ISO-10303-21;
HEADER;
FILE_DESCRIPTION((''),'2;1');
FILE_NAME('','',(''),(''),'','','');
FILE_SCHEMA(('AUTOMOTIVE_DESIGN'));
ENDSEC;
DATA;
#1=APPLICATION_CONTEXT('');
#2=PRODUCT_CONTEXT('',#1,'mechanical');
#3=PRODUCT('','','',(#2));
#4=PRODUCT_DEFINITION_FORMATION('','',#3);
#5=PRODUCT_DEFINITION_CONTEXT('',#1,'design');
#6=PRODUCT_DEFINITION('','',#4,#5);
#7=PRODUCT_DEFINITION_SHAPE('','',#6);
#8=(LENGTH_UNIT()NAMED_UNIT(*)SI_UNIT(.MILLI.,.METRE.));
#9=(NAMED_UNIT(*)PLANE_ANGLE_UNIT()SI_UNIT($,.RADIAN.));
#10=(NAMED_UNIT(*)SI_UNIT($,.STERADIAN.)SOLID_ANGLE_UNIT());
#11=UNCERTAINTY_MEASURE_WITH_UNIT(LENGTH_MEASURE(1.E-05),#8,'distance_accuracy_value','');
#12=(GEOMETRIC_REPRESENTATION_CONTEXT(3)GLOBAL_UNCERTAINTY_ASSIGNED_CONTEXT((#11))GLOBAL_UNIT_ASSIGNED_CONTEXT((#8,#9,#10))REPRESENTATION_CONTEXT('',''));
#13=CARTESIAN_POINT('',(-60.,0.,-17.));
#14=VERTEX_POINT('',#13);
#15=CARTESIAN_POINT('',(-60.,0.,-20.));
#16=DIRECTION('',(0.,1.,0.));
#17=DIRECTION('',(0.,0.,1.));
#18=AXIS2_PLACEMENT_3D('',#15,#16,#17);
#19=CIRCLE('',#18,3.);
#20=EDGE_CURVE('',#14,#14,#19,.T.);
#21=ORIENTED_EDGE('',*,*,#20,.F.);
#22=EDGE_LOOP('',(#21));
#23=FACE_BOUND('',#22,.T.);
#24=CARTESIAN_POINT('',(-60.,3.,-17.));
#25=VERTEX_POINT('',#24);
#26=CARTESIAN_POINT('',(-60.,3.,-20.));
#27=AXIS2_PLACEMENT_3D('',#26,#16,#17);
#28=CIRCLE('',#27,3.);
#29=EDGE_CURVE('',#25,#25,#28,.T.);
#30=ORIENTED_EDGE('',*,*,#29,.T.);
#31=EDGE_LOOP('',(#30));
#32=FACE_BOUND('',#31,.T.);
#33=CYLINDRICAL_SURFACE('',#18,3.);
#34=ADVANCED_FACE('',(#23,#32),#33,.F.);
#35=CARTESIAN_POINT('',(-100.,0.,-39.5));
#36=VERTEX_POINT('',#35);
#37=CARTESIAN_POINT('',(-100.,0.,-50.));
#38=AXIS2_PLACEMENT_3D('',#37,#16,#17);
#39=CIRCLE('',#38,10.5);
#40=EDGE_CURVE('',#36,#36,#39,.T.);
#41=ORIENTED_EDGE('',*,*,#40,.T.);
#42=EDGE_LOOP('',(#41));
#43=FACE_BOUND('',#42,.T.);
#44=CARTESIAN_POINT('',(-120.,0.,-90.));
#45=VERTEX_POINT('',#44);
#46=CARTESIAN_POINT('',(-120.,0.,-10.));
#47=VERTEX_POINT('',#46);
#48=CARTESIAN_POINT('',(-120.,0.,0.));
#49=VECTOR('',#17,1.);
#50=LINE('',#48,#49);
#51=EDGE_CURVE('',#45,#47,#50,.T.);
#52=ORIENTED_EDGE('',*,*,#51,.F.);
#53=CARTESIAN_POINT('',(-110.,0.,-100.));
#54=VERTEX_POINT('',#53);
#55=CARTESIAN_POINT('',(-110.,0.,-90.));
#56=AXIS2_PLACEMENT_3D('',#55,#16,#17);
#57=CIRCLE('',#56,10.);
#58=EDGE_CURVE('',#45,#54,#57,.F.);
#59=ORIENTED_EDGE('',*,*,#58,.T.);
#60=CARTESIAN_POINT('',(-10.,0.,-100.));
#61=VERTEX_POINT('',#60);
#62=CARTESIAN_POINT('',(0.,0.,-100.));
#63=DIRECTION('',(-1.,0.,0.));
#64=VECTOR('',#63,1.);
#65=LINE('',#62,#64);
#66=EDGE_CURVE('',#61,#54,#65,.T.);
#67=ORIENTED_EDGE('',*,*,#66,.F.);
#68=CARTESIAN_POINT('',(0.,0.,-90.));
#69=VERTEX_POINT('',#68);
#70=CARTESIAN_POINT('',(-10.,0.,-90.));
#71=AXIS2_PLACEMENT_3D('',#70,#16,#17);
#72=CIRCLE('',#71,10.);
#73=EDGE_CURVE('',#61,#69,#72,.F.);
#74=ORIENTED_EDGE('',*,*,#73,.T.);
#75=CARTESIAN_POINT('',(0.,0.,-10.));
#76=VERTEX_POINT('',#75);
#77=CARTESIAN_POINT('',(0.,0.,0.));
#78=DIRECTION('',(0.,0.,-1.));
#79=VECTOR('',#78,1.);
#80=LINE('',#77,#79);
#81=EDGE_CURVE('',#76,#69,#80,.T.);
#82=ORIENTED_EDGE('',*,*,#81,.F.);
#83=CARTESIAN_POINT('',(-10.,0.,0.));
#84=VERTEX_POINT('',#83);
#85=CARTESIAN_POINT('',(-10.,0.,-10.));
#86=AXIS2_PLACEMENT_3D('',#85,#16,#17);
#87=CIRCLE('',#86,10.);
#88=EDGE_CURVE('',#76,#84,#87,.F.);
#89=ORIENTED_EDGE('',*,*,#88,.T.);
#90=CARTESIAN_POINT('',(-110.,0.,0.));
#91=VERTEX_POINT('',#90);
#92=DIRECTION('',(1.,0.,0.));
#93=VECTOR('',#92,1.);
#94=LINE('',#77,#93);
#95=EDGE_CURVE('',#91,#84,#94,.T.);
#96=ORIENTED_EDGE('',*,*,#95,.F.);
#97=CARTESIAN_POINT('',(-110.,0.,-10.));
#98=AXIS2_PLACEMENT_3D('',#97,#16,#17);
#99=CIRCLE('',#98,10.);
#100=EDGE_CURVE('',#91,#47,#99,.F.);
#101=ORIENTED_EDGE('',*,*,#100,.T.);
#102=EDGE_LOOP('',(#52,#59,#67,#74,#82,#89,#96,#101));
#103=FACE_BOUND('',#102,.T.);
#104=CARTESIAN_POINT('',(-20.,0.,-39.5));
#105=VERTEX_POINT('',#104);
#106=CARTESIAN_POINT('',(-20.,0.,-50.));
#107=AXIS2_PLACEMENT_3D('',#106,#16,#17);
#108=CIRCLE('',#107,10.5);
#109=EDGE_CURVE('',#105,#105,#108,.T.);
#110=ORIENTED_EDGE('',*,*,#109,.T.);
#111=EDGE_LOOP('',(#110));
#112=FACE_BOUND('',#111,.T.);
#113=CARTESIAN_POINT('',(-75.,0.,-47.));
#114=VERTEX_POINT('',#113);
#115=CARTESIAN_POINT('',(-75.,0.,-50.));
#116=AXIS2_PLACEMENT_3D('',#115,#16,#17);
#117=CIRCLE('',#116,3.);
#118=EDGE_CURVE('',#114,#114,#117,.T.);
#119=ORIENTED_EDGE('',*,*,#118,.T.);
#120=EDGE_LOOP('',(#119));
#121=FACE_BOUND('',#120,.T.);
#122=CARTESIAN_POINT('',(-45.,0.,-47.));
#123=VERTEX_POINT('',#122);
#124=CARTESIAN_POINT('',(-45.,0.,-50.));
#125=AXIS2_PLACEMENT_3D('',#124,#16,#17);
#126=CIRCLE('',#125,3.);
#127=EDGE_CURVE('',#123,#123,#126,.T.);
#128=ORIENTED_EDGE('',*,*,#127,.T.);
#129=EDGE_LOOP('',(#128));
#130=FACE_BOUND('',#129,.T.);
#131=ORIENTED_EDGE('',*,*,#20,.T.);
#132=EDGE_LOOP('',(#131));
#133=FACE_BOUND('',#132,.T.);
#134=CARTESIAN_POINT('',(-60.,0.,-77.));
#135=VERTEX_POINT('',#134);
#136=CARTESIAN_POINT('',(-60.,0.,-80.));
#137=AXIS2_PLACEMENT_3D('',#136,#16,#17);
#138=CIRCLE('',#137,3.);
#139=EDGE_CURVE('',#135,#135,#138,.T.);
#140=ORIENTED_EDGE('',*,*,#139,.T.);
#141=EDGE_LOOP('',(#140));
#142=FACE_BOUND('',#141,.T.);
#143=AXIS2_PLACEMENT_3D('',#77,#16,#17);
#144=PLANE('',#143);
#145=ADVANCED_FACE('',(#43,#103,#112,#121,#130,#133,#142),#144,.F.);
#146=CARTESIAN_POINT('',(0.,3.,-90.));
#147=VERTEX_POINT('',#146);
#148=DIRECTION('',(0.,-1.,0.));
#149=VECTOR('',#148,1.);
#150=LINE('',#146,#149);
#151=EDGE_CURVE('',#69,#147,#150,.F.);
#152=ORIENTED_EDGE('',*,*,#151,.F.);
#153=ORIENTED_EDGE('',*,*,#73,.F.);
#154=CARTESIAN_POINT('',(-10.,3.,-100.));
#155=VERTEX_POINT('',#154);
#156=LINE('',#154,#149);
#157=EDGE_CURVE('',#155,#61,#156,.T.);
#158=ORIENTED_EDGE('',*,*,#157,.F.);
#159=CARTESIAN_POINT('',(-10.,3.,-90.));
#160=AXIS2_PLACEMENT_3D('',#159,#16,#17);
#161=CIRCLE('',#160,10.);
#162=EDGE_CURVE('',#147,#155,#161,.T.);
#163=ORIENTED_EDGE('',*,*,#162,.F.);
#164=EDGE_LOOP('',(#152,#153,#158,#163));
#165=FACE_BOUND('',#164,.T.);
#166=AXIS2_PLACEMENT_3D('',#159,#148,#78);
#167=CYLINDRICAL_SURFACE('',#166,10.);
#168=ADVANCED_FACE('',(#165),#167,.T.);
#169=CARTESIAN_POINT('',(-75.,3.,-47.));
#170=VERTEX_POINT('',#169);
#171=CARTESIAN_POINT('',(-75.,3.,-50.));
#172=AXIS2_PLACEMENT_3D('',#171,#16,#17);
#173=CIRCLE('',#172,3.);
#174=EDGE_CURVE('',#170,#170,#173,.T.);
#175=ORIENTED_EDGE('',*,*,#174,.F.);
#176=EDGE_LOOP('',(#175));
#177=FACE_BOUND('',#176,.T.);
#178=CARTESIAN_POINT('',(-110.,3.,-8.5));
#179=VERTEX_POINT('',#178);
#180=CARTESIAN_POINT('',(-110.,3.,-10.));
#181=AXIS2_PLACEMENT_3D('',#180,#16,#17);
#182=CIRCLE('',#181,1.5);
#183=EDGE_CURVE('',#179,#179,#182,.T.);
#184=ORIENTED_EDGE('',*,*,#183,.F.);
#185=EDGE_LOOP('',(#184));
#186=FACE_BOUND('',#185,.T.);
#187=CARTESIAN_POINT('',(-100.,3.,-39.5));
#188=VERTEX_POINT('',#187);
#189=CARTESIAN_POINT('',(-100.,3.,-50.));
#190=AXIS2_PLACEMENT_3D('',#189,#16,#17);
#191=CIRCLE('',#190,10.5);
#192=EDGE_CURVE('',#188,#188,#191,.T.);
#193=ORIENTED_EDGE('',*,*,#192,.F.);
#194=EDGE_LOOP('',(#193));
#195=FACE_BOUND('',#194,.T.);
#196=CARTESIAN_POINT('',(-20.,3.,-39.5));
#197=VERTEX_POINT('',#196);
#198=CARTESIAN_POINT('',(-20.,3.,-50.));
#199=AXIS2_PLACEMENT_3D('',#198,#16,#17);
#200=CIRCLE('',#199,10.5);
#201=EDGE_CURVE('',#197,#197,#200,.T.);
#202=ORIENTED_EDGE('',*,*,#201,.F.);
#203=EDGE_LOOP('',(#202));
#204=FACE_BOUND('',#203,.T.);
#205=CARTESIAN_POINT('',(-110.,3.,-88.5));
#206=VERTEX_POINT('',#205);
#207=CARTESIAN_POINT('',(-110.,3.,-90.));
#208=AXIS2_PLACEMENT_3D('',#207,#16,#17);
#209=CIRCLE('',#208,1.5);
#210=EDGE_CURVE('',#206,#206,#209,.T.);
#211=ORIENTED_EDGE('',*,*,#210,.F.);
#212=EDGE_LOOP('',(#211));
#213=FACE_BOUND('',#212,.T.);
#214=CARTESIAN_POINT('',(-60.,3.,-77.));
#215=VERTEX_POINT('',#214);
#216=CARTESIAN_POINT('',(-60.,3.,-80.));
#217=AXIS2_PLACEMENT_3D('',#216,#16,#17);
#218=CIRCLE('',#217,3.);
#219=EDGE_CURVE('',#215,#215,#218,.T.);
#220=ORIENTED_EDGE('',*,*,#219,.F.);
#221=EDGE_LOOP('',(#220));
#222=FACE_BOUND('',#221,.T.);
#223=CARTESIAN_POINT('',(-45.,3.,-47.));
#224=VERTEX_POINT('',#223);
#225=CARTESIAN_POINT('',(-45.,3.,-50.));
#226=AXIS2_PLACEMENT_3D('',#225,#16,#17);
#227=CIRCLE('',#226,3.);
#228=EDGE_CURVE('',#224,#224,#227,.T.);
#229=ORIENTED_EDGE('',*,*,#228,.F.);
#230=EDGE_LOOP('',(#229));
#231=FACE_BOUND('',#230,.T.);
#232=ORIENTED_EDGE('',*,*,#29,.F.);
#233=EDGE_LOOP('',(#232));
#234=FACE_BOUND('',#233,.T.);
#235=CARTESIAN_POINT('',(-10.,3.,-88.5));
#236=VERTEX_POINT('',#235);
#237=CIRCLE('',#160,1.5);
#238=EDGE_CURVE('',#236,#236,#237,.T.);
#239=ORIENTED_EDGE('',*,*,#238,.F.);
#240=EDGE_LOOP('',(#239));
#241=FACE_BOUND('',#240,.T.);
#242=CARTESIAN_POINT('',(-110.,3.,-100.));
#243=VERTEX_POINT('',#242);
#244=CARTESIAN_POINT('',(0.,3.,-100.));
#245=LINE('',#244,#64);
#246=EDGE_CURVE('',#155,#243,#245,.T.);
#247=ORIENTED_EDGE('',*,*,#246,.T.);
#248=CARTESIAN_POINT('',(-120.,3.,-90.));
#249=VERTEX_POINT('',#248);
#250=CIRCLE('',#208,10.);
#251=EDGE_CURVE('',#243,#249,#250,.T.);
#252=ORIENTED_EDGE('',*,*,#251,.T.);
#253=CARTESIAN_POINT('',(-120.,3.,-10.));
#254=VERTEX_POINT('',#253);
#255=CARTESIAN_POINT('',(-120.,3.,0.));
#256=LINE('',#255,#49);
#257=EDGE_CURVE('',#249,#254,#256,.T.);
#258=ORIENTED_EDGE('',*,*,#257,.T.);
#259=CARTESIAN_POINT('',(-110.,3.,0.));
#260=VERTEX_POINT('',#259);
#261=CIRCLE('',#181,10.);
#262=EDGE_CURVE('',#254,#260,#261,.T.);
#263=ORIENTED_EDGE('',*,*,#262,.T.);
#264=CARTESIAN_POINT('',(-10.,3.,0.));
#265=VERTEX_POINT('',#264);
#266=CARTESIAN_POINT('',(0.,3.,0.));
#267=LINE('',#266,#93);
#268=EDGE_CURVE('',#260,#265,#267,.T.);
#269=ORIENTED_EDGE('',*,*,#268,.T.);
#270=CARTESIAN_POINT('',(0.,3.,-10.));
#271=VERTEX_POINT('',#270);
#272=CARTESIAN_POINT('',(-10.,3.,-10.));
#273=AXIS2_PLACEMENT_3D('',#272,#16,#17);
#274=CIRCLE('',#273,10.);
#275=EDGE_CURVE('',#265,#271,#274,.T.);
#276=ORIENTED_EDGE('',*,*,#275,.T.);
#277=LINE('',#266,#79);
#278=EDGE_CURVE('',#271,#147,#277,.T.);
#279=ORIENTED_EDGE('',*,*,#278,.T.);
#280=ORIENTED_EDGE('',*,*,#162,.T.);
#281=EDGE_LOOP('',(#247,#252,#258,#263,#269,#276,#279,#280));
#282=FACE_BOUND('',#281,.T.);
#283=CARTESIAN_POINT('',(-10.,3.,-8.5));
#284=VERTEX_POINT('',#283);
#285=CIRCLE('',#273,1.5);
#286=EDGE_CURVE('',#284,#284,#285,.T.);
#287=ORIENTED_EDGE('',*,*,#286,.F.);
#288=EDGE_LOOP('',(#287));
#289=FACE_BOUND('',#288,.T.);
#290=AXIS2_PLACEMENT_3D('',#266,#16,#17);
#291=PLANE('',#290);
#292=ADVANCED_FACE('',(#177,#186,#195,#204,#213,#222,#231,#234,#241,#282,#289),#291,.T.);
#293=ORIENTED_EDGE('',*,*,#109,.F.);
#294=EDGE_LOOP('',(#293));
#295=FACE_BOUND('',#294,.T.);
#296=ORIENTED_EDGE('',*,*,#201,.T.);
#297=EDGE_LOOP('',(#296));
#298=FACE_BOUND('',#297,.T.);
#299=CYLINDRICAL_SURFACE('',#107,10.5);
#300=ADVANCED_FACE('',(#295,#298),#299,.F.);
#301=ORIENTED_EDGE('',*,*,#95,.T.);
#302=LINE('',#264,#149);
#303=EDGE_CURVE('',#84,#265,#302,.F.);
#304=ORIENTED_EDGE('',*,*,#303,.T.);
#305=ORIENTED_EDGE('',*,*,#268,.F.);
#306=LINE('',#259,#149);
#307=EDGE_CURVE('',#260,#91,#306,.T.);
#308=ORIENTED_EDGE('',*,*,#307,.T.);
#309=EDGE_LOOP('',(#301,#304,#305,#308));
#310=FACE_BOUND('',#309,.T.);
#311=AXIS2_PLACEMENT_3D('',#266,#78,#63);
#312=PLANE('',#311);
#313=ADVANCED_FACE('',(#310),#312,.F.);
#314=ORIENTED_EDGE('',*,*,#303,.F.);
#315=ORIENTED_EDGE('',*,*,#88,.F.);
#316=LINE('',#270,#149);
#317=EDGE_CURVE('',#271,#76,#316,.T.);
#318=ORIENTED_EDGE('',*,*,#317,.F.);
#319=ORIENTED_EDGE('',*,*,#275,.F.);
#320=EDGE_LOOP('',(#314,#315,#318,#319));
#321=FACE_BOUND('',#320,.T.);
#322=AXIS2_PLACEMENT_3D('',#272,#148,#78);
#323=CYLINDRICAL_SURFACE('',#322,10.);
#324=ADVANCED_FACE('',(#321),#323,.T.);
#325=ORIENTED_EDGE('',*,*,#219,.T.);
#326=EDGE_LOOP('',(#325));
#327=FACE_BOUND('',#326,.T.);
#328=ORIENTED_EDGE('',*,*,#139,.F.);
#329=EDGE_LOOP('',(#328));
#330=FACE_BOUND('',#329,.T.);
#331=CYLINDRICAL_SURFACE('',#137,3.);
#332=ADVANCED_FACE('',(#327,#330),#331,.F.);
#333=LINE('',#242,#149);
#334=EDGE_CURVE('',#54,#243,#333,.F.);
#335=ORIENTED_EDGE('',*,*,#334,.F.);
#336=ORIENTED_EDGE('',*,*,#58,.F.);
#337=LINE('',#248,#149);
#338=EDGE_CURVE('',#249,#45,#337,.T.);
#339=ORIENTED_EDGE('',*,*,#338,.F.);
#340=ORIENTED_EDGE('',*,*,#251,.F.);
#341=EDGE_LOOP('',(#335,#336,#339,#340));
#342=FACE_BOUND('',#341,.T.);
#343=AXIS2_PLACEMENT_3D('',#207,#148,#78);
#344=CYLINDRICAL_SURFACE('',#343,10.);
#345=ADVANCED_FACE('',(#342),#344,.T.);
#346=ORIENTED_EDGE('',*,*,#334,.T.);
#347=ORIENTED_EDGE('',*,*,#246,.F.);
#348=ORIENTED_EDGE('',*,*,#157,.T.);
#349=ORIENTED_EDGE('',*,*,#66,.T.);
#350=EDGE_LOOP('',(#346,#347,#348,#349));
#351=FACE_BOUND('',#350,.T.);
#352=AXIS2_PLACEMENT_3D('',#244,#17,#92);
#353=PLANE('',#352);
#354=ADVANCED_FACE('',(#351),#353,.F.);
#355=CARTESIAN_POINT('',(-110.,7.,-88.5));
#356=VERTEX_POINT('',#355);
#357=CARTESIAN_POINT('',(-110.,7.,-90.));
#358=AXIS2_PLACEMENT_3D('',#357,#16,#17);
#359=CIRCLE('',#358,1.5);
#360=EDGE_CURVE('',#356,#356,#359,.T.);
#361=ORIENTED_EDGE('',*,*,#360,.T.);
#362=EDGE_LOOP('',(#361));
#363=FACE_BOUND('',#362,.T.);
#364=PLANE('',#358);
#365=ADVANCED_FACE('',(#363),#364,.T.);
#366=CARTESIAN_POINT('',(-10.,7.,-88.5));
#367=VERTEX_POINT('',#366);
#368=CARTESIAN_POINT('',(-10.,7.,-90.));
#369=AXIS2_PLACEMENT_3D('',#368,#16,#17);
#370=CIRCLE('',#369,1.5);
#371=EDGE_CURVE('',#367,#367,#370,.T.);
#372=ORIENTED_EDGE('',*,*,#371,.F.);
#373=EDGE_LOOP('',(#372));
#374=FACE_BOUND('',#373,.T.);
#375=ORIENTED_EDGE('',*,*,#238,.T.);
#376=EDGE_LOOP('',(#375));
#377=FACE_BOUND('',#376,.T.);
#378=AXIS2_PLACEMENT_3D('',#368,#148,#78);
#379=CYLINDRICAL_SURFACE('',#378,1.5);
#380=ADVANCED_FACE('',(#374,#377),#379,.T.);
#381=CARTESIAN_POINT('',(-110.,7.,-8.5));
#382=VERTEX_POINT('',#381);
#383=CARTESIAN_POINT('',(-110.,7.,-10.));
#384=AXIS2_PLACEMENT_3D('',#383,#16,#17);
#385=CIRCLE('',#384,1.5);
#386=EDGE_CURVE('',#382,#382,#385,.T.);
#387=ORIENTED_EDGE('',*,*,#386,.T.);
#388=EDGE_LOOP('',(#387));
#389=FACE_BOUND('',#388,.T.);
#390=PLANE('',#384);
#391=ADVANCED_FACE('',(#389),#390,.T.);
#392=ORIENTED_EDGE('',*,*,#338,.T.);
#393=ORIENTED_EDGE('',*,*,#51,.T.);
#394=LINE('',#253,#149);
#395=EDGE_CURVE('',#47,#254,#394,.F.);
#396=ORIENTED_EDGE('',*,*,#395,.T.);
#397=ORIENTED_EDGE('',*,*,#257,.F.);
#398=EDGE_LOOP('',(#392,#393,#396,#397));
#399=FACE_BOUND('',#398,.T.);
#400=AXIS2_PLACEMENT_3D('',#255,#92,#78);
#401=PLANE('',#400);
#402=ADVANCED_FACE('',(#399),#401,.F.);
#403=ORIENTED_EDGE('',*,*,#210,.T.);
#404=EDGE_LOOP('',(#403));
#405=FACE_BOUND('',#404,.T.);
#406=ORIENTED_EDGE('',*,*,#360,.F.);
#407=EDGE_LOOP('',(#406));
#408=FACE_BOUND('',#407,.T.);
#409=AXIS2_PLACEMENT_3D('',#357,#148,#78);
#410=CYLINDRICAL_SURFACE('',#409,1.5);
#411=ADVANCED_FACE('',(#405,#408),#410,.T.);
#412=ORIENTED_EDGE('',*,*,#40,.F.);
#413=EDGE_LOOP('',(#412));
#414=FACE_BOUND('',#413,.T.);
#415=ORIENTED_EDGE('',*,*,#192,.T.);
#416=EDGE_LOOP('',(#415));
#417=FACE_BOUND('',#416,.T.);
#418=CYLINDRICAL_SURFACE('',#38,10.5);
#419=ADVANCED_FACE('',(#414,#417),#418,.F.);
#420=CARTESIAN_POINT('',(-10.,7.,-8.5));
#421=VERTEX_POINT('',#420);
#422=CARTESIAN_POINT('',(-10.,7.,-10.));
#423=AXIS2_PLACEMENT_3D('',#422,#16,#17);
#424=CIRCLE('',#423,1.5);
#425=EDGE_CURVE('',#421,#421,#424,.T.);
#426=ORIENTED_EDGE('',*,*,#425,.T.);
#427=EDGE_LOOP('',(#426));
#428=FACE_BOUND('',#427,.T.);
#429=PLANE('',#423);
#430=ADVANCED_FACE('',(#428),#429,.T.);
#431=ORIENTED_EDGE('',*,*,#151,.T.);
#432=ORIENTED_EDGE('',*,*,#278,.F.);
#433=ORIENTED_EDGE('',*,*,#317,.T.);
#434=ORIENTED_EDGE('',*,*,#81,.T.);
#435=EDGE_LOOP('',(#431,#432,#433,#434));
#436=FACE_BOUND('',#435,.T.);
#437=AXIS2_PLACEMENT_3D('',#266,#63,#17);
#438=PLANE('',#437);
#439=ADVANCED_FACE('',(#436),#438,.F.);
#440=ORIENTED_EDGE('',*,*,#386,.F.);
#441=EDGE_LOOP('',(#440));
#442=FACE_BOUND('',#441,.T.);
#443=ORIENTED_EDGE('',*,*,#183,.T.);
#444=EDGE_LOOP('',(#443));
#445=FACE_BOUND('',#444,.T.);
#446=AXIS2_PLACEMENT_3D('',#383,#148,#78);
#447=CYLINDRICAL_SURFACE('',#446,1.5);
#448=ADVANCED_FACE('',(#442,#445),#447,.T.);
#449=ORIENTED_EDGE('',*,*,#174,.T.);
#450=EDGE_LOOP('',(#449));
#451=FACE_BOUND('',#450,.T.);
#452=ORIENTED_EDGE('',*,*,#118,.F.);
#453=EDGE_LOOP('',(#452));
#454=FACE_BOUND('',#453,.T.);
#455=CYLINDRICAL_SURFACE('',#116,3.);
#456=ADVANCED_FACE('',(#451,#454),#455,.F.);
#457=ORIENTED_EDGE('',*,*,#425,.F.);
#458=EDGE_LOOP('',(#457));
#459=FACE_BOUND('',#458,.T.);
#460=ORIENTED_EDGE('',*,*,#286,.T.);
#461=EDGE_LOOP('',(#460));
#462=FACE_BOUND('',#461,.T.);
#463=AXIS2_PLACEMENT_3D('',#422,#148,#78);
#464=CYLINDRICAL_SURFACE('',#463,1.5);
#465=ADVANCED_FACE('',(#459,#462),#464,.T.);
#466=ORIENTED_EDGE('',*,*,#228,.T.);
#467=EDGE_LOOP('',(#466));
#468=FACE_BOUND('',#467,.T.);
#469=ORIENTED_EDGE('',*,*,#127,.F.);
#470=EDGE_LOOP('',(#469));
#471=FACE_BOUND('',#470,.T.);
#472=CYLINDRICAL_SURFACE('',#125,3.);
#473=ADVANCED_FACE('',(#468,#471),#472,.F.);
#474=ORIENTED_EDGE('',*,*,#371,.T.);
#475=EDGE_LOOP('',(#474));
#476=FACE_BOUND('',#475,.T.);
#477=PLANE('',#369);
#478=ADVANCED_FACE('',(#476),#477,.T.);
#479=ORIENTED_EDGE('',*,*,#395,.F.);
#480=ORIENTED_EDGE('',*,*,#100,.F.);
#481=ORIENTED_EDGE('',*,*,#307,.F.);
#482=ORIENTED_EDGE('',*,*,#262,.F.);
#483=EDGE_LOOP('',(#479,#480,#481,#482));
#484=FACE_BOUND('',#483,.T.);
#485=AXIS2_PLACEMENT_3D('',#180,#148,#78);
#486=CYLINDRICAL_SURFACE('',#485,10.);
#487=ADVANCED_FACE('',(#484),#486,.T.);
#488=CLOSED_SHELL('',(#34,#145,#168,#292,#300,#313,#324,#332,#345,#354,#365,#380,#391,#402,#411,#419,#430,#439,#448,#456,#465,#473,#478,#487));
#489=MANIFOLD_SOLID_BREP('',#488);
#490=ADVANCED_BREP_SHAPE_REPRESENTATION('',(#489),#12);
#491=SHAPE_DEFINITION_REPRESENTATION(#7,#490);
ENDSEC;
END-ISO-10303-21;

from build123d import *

# Parameters (mm, degrees)
ESQUISSE1_W             = 120
ESQUISSE1_H             = 100
BOSS_EXTRU_1_DEPTH      = 3
CONG_1_R                = 10
ESQUISSE2_R             = 1.5
BOSS_EXTRU_2_DEPTH      = 4
ESQUISSE3_R             = 10.5
ESQUISSE3_R_2           = 3
ENL_V_MAT_EXTRU_1_DEPTH = 4


with BuildPart() as part:
    # Esquisse1 → Boss.-Extru.1 (new body)
    with BuildSketch(Plane(origin=(0, 0, 0), x_dir=(1, 0, 0), z_dir=(0, 1, 0))):
        with Locations((-60, 50)):
            Rectangle(ESQUISSE1_W, ESQUISSE1_H)
    extrude(amount=BOSS_EXTRU_1_DEPTH)

    # Congé1
    cong_1_edges = [part.edges().sort_by_distance(p)[0] for p in [
        (0, 1.5, 0),
        (-120, 1.5, 0),
        (-120, 1.5, -100),
        (0, 1.5, -100),
    ]]
    fillet(cong_1_edges, radius=CONG_1_R)

    # Esquisse2 → Boss.-Extru.2 (add)
    with BuildSketch(Plane(origin=(0, 3, 0), x_dir=(1, 0, 0), z_dir=(0, 1, 0))):
        with Locations((-110, 90)):
            Circle(ESQUISSE2_R)
        with Locations((-10, 90)):
            Circle(ESQUISSE2_R)
        with Locations((-10, 10)):
            Circle(ESQUISSE2_R)
        with Locations((-110, 10)):
            Circle(ESQUISSE2_R)
    extrude(amount=BOSS_EXTRU_2_DEPTH)

    # Esquisse3 → Enlèv. mat.-Extru.1 (cut, through all)
    with BuildSketch(Plane(origin=(0, 3, 0), x_dir=(1, 0, 0), z_dir=(0, 1, 0))):
        with Locations((-100, 50)):
            Circle(ESQUISSE3_R)
        with Locations((-20, 50)):
            Circle(ESQUISSE3_R)
        with Locations((-75, 50)):
            Circle(ESQUISSE3_R_2)
        with Locations((-45, 50)):
            Circle(ESQUISSE3_R_2)
        with Locations((-60, 80)):
            Circle(ESQUISSE3_R_2)
        with Locations((-60, 20)):
            Circle(ESQUISSE3_R_2)
    extrude(amount=-ENL_V_MAT_EXTRU_1_DEPTH, mode=Mode.SUBTRACT)


solid = part.part
